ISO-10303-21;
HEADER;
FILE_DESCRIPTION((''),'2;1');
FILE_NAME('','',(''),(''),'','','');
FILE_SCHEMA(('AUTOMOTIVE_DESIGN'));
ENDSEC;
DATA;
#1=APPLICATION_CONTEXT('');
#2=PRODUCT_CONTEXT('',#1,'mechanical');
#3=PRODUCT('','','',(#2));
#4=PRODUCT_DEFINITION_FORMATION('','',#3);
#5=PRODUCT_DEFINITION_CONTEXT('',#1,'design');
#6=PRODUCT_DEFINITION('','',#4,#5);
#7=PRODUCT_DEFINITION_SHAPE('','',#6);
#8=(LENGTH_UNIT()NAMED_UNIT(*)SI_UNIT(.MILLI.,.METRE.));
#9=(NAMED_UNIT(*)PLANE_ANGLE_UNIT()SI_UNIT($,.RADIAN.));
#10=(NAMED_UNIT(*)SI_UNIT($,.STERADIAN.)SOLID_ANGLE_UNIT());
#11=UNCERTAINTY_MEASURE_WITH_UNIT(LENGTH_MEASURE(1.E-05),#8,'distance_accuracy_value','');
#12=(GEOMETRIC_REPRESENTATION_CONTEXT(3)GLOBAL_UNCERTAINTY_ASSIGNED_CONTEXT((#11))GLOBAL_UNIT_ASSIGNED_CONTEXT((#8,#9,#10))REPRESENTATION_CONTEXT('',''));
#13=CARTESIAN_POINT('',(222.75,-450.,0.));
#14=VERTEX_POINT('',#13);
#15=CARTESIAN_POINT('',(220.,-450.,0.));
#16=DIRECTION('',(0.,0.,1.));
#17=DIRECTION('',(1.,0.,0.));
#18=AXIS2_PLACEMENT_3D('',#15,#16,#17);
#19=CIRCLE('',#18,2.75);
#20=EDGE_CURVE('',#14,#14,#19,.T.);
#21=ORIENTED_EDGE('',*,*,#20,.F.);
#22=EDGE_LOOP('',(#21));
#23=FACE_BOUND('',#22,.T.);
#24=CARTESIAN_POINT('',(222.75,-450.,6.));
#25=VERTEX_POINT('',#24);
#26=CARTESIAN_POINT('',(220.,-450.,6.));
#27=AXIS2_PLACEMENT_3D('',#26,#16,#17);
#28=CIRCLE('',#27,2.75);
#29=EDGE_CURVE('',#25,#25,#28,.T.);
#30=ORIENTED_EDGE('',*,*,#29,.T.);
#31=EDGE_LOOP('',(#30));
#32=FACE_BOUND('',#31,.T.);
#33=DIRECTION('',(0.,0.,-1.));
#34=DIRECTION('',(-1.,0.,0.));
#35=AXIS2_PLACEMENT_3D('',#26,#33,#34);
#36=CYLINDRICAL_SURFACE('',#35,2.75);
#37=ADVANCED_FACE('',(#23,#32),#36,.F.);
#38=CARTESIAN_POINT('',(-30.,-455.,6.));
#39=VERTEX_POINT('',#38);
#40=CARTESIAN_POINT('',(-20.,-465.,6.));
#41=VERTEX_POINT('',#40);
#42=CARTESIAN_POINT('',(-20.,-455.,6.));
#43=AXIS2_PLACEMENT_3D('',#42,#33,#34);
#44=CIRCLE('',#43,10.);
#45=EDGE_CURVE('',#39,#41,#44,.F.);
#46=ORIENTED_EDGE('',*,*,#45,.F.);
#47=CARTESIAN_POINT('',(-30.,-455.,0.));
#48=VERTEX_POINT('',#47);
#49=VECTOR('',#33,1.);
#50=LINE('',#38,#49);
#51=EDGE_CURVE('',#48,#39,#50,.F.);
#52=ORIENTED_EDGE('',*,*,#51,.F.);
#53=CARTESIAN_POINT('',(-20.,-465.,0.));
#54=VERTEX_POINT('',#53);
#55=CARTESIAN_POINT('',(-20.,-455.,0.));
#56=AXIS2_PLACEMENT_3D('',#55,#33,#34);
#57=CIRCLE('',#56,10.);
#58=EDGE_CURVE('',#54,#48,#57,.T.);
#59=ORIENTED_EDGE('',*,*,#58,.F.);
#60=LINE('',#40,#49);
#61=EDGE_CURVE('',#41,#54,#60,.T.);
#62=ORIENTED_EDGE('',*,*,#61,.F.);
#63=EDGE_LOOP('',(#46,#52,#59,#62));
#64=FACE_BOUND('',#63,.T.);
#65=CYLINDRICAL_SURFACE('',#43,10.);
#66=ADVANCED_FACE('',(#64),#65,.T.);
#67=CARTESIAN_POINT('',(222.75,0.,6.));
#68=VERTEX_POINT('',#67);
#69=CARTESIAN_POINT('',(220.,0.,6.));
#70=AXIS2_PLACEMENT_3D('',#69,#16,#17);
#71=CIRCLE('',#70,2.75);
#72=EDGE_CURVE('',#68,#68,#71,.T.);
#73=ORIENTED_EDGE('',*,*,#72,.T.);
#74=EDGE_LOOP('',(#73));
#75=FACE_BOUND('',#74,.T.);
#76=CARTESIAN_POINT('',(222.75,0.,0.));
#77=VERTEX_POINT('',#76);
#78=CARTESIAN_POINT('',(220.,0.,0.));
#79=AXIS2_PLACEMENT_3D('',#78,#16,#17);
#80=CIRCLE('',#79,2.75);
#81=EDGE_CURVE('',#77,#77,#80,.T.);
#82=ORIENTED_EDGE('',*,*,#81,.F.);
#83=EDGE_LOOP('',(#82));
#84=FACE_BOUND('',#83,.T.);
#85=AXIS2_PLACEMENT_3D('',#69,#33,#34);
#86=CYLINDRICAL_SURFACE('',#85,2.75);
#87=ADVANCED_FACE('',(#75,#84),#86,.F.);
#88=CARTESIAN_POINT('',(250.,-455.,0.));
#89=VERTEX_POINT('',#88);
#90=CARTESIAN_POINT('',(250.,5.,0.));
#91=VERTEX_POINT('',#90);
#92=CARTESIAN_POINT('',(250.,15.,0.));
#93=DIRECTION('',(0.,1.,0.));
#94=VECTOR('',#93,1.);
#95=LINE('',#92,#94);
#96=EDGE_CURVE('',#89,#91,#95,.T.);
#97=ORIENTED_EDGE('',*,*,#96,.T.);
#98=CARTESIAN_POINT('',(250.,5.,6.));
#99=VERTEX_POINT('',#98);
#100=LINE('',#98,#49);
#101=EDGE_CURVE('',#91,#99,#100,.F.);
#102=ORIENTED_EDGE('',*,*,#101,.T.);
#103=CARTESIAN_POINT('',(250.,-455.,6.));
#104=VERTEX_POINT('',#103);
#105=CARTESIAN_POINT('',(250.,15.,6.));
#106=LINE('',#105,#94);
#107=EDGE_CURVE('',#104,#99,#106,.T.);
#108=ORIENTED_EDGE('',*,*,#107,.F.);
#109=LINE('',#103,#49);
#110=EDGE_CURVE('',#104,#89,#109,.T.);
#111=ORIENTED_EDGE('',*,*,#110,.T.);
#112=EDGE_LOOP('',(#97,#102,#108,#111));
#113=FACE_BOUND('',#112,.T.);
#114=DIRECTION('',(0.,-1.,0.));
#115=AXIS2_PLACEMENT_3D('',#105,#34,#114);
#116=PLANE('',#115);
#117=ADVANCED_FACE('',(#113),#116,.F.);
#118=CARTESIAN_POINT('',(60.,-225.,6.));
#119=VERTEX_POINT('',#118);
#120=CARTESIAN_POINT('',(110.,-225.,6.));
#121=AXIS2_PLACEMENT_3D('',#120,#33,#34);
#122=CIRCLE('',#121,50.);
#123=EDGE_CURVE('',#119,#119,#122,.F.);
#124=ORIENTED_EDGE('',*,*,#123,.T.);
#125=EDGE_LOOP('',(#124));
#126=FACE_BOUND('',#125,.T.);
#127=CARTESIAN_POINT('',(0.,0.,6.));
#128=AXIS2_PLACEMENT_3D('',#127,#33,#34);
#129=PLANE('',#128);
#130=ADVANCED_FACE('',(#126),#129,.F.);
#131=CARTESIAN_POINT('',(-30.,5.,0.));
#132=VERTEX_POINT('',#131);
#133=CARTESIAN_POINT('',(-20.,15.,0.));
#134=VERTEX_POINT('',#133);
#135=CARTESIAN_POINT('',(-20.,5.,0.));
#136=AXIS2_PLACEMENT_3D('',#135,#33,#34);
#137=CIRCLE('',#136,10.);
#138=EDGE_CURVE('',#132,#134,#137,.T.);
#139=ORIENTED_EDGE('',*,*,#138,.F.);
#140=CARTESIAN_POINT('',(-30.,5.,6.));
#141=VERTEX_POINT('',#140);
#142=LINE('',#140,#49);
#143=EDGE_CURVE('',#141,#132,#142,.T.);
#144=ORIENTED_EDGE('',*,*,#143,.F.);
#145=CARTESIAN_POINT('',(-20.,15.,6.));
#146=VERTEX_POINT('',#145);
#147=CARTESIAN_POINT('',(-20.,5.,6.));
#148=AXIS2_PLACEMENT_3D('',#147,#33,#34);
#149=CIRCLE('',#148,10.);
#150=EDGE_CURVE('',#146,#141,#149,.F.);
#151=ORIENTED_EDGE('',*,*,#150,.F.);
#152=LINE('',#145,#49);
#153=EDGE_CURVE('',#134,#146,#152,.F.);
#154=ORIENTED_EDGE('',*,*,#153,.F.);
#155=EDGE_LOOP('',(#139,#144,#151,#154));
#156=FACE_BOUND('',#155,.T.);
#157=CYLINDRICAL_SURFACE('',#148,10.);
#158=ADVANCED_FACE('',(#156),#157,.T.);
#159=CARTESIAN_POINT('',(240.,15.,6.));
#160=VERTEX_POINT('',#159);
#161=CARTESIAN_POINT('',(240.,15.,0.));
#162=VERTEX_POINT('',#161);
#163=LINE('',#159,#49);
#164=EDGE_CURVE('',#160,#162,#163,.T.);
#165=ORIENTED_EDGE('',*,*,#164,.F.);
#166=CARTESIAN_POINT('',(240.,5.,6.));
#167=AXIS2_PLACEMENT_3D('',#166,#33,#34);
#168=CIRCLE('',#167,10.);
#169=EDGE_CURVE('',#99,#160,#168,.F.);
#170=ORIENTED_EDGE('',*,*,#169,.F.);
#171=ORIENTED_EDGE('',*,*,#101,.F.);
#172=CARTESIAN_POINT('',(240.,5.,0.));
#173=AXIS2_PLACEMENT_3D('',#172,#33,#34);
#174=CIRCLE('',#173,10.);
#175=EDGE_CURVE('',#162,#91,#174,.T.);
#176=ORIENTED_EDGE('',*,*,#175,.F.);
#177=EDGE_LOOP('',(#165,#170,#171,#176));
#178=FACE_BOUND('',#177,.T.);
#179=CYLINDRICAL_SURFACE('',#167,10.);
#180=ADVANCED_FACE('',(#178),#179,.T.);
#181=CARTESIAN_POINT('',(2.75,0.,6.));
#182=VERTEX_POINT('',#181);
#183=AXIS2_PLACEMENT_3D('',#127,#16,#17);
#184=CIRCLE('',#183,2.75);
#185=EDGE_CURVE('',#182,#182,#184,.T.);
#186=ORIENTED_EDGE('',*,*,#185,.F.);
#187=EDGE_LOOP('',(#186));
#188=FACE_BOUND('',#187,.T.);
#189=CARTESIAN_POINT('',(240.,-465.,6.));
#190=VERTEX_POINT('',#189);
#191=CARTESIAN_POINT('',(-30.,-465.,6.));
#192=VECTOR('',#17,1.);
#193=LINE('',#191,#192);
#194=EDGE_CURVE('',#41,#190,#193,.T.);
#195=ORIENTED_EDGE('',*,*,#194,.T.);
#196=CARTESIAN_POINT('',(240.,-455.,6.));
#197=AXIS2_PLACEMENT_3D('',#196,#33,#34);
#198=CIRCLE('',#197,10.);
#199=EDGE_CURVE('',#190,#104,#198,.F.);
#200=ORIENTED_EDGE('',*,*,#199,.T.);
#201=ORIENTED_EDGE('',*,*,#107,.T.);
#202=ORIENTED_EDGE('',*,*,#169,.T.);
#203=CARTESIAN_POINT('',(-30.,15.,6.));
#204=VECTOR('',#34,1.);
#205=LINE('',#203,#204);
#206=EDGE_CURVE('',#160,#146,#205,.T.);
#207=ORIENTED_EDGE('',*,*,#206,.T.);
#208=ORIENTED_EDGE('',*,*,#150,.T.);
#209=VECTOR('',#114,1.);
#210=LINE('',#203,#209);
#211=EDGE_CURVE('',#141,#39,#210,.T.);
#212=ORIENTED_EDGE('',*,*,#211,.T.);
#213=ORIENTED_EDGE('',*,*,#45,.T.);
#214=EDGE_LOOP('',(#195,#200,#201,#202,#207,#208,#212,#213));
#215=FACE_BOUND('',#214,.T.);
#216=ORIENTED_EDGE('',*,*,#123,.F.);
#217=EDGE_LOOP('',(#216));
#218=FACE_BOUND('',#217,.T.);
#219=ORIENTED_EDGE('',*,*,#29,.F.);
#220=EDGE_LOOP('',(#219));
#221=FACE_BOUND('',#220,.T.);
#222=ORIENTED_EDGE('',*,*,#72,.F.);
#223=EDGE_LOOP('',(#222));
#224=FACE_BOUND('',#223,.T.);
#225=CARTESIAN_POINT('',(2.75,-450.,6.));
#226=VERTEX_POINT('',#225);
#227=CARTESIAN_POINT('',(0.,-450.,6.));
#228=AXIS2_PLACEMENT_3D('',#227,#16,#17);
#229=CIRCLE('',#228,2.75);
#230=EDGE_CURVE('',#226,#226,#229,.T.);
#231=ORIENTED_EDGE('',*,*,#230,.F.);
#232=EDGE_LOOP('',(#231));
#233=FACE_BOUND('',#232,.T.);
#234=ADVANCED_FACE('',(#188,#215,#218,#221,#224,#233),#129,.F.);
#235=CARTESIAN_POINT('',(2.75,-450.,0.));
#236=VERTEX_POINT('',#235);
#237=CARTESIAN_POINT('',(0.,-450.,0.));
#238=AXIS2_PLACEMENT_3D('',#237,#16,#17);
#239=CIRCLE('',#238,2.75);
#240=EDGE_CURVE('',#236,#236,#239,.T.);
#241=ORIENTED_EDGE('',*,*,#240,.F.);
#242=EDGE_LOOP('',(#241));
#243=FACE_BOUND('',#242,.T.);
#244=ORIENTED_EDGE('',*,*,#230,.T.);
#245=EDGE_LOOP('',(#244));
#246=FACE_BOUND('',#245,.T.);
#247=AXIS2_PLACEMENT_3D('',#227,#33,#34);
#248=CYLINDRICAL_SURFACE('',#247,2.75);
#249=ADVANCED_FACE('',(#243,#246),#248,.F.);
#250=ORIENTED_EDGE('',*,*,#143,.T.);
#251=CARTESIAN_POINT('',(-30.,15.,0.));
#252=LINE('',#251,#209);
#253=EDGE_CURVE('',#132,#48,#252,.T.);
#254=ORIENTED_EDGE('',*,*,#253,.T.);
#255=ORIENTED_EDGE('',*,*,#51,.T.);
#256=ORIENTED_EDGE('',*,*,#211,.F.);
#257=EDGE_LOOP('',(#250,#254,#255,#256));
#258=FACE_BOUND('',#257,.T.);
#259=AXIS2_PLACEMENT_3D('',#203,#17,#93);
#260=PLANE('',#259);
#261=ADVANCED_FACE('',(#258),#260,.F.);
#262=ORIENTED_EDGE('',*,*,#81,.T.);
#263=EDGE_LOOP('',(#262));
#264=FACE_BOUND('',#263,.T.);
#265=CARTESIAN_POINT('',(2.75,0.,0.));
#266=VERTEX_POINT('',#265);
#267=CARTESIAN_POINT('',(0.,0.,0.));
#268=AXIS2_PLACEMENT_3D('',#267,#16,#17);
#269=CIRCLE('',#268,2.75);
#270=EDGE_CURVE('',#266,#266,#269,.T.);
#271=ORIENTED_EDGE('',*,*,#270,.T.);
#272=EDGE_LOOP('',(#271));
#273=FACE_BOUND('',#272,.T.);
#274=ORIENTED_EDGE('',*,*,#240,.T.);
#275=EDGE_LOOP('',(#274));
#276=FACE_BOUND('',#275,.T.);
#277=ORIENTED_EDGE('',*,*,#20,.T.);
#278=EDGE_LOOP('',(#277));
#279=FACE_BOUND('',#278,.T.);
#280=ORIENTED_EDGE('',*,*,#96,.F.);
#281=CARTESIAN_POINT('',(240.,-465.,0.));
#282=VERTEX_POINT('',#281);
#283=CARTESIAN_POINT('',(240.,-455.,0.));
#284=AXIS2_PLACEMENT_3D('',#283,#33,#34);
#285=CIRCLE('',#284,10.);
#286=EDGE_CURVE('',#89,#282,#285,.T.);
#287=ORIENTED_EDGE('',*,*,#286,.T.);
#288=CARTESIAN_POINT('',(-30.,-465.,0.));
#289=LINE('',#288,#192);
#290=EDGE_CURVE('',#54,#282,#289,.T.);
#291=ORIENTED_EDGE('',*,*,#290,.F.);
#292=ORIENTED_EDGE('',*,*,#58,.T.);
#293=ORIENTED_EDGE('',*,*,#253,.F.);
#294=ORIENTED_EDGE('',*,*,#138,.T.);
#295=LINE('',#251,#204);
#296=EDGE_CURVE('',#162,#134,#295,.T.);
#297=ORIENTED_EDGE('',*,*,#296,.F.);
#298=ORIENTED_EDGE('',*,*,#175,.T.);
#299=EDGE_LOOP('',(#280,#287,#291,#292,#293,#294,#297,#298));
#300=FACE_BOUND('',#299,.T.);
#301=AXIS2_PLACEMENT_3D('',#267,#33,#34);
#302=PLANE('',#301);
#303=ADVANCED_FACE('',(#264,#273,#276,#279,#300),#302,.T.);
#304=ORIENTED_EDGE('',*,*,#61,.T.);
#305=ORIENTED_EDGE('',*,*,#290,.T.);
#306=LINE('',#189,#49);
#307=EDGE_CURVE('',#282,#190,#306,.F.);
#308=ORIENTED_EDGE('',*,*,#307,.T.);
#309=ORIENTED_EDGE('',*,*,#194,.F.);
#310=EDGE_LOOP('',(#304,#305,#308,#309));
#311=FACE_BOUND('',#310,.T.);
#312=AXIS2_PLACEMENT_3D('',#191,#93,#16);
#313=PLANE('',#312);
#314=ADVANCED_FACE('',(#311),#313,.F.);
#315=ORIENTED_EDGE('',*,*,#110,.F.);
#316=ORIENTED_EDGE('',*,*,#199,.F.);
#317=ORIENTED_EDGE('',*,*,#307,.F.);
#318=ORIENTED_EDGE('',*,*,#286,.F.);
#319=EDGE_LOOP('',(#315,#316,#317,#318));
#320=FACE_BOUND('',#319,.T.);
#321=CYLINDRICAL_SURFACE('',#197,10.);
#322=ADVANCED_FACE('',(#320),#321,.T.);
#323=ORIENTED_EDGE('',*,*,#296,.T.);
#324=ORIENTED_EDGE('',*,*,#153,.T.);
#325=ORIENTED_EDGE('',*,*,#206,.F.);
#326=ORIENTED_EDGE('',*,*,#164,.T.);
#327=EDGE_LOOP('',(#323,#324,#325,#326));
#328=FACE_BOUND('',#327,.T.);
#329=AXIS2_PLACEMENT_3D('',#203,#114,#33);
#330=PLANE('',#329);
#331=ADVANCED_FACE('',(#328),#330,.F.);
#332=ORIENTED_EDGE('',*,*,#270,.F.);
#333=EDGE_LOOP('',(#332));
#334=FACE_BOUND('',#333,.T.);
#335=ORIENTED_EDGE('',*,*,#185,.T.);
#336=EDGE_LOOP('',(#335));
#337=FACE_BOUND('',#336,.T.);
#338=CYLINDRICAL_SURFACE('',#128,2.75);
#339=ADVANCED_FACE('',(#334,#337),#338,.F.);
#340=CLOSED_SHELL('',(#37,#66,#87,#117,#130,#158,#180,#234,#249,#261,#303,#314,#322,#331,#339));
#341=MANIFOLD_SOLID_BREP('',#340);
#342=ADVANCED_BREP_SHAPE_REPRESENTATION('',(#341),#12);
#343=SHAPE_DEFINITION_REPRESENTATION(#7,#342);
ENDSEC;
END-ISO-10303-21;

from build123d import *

# Parameters (mm, degrees)
SKETCH_1_W      = 280
SKETCH_1_H      = 480
SKETCH_1_R      = 2.75
EXTRUDE_1_DEPTH = 6
FILLET_1_R      = 10


with BuildPart() as part:
    # 草图1 → 凸台-拉伸1 (new body)
    with BuildSketch(Plane.XY):
        with Locations((110, -225)):
            Rectangle(SKETCH_1_W, SKETCH_1_H)
        Circle(SKETCH_1_R, mode=Mode.SUBTRACT)
        with Locations((220, 0)):
            Circle(SKETCH_1_R, mode=Mode.SUBTRACT)
        with Locations((220, -450)):
            Circle(SKETCH_1_R, mode=Mode.SUBTRACT)
        with Locations((0, -450)):
            Circle(SKETCH_1_R, mode=Mode.SUBTRACT)
    extrude(amount=EXTRUDE_1_DEPTH)

    # 圆角1
    fillet_1_edges = [part.edges().sort_by_distance(p)[0] for p in [
        (250, 15, 3),
        (250, -465, 3),
        (-30, -465, 3),
        (-30, 15, 3),
    ]]
    fillet(fillet_1_edges, radius=FILLET_1_R)


solid = part.part
